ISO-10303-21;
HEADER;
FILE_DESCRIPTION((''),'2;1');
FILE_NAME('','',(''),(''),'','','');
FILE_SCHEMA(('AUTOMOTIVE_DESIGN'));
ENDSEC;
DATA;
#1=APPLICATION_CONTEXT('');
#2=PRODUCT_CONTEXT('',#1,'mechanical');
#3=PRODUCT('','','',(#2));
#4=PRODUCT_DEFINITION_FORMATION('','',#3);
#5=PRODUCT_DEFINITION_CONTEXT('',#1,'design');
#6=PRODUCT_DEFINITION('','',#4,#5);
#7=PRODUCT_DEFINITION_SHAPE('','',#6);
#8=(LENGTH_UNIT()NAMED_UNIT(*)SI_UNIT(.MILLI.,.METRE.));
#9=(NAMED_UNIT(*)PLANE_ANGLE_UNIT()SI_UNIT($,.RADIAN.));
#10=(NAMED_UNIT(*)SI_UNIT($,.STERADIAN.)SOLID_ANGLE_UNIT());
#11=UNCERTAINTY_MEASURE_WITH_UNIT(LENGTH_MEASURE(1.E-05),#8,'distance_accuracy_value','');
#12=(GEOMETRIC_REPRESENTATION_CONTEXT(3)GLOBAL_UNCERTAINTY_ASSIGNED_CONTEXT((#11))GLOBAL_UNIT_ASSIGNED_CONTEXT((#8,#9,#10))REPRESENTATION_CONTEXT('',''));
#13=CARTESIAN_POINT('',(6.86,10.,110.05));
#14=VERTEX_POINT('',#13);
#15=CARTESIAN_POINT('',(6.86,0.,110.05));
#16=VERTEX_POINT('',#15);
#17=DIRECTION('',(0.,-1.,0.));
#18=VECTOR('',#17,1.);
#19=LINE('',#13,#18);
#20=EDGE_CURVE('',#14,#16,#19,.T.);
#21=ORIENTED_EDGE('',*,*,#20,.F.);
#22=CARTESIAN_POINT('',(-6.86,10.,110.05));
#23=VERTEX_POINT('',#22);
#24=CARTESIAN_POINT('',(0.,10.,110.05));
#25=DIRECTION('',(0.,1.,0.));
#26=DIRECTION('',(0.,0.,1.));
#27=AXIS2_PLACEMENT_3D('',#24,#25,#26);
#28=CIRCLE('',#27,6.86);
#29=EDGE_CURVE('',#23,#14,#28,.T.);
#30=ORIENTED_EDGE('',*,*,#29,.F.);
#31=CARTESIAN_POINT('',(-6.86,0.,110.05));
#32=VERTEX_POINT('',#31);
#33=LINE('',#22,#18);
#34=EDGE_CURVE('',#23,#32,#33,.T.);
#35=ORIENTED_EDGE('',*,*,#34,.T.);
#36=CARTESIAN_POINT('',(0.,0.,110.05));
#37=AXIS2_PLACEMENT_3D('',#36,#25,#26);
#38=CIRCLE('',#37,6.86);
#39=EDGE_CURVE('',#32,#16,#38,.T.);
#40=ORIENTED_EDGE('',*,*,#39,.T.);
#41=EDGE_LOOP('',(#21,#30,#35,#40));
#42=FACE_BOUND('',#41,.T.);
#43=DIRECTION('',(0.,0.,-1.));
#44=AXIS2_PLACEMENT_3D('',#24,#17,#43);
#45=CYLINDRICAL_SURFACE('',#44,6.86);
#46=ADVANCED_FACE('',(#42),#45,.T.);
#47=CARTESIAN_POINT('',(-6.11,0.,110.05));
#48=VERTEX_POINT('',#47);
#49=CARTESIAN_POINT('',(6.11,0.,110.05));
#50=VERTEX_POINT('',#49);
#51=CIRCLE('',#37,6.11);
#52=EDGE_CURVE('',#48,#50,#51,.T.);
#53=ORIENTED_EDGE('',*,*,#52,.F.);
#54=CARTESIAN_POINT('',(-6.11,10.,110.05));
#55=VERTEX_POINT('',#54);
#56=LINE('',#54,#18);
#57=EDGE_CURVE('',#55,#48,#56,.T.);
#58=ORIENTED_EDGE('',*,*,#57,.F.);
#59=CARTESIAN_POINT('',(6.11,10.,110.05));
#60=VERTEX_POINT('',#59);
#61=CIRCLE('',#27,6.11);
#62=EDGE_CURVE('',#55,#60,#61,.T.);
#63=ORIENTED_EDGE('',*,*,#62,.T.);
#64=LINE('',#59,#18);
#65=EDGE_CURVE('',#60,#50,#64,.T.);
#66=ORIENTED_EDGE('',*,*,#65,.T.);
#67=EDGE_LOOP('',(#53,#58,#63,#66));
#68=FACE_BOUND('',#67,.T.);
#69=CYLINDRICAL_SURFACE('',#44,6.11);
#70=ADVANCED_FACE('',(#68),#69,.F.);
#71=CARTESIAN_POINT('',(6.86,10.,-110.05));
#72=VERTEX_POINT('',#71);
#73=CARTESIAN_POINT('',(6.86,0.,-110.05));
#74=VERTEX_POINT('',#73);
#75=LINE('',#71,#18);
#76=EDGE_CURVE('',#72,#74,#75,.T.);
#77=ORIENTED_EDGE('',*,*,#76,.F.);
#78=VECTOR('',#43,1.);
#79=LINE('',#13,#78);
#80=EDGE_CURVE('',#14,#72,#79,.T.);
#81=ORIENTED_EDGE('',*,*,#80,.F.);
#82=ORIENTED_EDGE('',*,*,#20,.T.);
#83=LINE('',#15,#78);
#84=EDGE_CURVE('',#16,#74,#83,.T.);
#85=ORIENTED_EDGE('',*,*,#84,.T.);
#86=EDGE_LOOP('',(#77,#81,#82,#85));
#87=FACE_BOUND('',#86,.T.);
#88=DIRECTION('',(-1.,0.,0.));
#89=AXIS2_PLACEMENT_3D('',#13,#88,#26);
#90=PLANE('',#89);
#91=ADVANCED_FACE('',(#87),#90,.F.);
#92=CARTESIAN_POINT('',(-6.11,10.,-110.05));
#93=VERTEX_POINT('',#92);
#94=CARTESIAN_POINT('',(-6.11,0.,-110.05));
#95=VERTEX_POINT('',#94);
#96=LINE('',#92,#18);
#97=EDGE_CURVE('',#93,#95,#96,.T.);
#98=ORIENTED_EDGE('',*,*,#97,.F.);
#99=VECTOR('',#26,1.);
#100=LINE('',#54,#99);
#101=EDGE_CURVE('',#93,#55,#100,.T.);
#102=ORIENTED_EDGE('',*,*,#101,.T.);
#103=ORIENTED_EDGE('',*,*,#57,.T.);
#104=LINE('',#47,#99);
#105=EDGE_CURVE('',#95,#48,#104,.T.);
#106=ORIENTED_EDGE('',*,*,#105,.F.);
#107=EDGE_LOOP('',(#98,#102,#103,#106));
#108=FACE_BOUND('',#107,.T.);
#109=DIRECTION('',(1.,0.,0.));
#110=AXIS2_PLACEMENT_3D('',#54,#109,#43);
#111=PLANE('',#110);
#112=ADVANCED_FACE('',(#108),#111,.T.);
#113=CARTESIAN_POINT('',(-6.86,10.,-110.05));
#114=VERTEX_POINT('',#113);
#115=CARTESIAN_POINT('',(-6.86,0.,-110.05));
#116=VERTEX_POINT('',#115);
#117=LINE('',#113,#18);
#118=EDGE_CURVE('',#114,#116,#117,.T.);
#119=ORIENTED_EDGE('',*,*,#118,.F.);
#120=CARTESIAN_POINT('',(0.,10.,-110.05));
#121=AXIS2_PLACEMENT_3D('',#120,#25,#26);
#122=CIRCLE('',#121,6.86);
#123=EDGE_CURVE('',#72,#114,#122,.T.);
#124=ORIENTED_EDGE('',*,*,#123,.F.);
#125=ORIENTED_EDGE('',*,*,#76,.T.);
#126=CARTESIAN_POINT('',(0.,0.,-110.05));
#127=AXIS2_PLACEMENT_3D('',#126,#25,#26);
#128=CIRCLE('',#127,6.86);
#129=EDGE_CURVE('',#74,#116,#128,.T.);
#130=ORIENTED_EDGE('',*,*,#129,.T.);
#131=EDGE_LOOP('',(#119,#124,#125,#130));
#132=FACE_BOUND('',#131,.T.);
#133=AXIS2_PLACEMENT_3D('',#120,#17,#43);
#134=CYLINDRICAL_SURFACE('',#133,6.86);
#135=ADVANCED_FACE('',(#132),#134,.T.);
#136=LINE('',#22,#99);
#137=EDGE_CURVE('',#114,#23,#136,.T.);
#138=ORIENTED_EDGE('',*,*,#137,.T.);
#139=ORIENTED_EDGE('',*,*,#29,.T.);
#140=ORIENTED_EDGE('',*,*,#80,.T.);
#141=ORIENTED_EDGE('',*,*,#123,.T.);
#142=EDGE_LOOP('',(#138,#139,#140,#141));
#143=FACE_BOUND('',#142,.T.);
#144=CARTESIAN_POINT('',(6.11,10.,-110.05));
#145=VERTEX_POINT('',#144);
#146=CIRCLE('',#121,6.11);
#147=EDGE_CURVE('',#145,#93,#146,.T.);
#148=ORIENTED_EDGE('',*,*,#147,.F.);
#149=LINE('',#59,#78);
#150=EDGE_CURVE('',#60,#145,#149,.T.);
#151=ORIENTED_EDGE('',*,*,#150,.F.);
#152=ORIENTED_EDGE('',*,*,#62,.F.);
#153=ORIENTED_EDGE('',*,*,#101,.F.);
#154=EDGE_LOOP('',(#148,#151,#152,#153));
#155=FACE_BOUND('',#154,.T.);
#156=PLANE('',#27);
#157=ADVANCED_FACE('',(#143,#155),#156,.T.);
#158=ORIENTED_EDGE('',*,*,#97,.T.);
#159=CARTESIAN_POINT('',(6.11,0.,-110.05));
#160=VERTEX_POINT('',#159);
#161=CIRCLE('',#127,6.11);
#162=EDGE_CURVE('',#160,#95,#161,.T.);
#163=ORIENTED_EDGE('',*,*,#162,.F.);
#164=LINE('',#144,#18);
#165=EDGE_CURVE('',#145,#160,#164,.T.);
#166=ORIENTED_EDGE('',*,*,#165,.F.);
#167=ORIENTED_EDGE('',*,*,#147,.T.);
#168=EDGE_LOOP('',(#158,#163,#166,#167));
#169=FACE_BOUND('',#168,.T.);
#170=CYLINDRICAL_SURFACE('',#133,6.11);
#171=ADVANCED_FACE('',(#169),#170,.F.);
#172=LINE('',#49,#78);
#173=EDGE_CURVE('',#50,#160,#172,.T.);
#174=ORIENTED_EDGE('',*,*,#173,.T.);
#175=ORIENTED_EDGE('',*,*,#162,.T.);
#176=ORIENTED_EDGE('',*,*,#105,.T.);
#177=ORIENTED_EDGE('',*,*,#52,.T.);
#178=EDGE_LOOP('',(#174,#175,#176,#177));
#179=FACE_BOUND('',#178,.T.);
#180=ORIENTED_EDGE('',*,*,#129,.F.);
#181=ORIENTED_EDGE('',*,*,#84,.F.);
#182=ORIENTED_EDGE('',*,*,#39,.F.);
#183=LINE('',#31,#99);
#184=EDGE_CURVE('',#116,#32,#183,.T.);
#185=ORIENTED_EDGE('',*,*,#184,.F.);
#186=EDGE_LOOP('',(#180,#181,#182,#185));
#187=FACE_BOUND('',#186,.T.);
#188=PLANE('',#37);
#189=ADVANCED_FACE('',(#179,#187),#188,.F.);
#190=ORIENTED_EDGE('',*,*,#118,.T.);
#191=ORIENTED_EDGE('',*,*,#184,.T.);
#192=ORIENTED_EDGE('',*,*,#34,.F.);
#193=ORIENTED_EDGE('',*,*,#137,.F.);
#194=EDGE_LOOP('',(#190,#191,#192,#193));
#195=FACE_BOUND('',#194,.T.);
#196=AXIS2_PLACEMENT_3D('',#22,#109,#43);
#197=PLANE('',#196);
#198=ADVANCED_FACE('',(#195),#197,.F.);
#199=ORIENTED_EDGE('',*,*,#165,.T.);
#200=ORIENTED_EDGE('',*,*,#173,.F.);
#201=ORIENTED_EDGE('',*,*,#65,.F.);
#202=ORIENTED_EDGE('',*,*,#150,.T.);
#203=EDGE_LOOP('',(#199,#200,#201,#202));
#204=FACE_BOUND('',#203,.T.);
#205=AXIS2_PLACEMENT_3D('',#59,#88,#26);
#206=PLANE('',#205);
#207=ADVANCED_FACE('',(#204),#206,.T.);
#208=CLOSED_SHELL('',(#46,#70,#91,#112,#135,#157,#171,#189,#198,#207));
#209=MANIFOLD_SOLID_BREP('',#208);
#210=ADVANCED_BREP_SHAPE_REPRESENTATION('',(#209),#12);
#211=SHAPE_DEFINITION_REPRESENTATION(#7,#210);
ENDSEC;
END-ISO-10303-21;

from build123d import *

# Parameters (mm, degrees)
EXTRUDE_1_DEPTH = 10


with BuildPart() as part:
    # 草图1 → 凸台-拉伸1 (new body)
    with BuildSketch(Plane(origin=(0, 0, 0), x_dir=(1, 0, 0), z_dir=(0, 1, 0))):
        with BuildLine():
            Line((-6.86, -110.05), (-6.86, 110.05))
            ThreePointArc((-6.86, 110.05), (0, 116.91), (6.86, 110.05))
            Line((6.86, 110.05), (6.86, -110.05))
            ThreePointArc((6.86, -110.05), (0, -116.91), (-6.86, -110.05))
        make_face()
        with BuildLine():
            Line((-6.11, -110.05), (-6.11, 110.05))
            ThreePointArc((-6.11, 110.05), (0, 116.16), (6.11, 110.05))
            Line((6.11, 110.05), (6.11, -110.05))
            ThreePointArc((6.11, -110.05), (0, -116.16), (-6.11, -110.05))
        make_face(mode=Mode.SUBTRACT)
    extrude(amount=EXTRUDE_1_DEPTH)


solid = part.part
